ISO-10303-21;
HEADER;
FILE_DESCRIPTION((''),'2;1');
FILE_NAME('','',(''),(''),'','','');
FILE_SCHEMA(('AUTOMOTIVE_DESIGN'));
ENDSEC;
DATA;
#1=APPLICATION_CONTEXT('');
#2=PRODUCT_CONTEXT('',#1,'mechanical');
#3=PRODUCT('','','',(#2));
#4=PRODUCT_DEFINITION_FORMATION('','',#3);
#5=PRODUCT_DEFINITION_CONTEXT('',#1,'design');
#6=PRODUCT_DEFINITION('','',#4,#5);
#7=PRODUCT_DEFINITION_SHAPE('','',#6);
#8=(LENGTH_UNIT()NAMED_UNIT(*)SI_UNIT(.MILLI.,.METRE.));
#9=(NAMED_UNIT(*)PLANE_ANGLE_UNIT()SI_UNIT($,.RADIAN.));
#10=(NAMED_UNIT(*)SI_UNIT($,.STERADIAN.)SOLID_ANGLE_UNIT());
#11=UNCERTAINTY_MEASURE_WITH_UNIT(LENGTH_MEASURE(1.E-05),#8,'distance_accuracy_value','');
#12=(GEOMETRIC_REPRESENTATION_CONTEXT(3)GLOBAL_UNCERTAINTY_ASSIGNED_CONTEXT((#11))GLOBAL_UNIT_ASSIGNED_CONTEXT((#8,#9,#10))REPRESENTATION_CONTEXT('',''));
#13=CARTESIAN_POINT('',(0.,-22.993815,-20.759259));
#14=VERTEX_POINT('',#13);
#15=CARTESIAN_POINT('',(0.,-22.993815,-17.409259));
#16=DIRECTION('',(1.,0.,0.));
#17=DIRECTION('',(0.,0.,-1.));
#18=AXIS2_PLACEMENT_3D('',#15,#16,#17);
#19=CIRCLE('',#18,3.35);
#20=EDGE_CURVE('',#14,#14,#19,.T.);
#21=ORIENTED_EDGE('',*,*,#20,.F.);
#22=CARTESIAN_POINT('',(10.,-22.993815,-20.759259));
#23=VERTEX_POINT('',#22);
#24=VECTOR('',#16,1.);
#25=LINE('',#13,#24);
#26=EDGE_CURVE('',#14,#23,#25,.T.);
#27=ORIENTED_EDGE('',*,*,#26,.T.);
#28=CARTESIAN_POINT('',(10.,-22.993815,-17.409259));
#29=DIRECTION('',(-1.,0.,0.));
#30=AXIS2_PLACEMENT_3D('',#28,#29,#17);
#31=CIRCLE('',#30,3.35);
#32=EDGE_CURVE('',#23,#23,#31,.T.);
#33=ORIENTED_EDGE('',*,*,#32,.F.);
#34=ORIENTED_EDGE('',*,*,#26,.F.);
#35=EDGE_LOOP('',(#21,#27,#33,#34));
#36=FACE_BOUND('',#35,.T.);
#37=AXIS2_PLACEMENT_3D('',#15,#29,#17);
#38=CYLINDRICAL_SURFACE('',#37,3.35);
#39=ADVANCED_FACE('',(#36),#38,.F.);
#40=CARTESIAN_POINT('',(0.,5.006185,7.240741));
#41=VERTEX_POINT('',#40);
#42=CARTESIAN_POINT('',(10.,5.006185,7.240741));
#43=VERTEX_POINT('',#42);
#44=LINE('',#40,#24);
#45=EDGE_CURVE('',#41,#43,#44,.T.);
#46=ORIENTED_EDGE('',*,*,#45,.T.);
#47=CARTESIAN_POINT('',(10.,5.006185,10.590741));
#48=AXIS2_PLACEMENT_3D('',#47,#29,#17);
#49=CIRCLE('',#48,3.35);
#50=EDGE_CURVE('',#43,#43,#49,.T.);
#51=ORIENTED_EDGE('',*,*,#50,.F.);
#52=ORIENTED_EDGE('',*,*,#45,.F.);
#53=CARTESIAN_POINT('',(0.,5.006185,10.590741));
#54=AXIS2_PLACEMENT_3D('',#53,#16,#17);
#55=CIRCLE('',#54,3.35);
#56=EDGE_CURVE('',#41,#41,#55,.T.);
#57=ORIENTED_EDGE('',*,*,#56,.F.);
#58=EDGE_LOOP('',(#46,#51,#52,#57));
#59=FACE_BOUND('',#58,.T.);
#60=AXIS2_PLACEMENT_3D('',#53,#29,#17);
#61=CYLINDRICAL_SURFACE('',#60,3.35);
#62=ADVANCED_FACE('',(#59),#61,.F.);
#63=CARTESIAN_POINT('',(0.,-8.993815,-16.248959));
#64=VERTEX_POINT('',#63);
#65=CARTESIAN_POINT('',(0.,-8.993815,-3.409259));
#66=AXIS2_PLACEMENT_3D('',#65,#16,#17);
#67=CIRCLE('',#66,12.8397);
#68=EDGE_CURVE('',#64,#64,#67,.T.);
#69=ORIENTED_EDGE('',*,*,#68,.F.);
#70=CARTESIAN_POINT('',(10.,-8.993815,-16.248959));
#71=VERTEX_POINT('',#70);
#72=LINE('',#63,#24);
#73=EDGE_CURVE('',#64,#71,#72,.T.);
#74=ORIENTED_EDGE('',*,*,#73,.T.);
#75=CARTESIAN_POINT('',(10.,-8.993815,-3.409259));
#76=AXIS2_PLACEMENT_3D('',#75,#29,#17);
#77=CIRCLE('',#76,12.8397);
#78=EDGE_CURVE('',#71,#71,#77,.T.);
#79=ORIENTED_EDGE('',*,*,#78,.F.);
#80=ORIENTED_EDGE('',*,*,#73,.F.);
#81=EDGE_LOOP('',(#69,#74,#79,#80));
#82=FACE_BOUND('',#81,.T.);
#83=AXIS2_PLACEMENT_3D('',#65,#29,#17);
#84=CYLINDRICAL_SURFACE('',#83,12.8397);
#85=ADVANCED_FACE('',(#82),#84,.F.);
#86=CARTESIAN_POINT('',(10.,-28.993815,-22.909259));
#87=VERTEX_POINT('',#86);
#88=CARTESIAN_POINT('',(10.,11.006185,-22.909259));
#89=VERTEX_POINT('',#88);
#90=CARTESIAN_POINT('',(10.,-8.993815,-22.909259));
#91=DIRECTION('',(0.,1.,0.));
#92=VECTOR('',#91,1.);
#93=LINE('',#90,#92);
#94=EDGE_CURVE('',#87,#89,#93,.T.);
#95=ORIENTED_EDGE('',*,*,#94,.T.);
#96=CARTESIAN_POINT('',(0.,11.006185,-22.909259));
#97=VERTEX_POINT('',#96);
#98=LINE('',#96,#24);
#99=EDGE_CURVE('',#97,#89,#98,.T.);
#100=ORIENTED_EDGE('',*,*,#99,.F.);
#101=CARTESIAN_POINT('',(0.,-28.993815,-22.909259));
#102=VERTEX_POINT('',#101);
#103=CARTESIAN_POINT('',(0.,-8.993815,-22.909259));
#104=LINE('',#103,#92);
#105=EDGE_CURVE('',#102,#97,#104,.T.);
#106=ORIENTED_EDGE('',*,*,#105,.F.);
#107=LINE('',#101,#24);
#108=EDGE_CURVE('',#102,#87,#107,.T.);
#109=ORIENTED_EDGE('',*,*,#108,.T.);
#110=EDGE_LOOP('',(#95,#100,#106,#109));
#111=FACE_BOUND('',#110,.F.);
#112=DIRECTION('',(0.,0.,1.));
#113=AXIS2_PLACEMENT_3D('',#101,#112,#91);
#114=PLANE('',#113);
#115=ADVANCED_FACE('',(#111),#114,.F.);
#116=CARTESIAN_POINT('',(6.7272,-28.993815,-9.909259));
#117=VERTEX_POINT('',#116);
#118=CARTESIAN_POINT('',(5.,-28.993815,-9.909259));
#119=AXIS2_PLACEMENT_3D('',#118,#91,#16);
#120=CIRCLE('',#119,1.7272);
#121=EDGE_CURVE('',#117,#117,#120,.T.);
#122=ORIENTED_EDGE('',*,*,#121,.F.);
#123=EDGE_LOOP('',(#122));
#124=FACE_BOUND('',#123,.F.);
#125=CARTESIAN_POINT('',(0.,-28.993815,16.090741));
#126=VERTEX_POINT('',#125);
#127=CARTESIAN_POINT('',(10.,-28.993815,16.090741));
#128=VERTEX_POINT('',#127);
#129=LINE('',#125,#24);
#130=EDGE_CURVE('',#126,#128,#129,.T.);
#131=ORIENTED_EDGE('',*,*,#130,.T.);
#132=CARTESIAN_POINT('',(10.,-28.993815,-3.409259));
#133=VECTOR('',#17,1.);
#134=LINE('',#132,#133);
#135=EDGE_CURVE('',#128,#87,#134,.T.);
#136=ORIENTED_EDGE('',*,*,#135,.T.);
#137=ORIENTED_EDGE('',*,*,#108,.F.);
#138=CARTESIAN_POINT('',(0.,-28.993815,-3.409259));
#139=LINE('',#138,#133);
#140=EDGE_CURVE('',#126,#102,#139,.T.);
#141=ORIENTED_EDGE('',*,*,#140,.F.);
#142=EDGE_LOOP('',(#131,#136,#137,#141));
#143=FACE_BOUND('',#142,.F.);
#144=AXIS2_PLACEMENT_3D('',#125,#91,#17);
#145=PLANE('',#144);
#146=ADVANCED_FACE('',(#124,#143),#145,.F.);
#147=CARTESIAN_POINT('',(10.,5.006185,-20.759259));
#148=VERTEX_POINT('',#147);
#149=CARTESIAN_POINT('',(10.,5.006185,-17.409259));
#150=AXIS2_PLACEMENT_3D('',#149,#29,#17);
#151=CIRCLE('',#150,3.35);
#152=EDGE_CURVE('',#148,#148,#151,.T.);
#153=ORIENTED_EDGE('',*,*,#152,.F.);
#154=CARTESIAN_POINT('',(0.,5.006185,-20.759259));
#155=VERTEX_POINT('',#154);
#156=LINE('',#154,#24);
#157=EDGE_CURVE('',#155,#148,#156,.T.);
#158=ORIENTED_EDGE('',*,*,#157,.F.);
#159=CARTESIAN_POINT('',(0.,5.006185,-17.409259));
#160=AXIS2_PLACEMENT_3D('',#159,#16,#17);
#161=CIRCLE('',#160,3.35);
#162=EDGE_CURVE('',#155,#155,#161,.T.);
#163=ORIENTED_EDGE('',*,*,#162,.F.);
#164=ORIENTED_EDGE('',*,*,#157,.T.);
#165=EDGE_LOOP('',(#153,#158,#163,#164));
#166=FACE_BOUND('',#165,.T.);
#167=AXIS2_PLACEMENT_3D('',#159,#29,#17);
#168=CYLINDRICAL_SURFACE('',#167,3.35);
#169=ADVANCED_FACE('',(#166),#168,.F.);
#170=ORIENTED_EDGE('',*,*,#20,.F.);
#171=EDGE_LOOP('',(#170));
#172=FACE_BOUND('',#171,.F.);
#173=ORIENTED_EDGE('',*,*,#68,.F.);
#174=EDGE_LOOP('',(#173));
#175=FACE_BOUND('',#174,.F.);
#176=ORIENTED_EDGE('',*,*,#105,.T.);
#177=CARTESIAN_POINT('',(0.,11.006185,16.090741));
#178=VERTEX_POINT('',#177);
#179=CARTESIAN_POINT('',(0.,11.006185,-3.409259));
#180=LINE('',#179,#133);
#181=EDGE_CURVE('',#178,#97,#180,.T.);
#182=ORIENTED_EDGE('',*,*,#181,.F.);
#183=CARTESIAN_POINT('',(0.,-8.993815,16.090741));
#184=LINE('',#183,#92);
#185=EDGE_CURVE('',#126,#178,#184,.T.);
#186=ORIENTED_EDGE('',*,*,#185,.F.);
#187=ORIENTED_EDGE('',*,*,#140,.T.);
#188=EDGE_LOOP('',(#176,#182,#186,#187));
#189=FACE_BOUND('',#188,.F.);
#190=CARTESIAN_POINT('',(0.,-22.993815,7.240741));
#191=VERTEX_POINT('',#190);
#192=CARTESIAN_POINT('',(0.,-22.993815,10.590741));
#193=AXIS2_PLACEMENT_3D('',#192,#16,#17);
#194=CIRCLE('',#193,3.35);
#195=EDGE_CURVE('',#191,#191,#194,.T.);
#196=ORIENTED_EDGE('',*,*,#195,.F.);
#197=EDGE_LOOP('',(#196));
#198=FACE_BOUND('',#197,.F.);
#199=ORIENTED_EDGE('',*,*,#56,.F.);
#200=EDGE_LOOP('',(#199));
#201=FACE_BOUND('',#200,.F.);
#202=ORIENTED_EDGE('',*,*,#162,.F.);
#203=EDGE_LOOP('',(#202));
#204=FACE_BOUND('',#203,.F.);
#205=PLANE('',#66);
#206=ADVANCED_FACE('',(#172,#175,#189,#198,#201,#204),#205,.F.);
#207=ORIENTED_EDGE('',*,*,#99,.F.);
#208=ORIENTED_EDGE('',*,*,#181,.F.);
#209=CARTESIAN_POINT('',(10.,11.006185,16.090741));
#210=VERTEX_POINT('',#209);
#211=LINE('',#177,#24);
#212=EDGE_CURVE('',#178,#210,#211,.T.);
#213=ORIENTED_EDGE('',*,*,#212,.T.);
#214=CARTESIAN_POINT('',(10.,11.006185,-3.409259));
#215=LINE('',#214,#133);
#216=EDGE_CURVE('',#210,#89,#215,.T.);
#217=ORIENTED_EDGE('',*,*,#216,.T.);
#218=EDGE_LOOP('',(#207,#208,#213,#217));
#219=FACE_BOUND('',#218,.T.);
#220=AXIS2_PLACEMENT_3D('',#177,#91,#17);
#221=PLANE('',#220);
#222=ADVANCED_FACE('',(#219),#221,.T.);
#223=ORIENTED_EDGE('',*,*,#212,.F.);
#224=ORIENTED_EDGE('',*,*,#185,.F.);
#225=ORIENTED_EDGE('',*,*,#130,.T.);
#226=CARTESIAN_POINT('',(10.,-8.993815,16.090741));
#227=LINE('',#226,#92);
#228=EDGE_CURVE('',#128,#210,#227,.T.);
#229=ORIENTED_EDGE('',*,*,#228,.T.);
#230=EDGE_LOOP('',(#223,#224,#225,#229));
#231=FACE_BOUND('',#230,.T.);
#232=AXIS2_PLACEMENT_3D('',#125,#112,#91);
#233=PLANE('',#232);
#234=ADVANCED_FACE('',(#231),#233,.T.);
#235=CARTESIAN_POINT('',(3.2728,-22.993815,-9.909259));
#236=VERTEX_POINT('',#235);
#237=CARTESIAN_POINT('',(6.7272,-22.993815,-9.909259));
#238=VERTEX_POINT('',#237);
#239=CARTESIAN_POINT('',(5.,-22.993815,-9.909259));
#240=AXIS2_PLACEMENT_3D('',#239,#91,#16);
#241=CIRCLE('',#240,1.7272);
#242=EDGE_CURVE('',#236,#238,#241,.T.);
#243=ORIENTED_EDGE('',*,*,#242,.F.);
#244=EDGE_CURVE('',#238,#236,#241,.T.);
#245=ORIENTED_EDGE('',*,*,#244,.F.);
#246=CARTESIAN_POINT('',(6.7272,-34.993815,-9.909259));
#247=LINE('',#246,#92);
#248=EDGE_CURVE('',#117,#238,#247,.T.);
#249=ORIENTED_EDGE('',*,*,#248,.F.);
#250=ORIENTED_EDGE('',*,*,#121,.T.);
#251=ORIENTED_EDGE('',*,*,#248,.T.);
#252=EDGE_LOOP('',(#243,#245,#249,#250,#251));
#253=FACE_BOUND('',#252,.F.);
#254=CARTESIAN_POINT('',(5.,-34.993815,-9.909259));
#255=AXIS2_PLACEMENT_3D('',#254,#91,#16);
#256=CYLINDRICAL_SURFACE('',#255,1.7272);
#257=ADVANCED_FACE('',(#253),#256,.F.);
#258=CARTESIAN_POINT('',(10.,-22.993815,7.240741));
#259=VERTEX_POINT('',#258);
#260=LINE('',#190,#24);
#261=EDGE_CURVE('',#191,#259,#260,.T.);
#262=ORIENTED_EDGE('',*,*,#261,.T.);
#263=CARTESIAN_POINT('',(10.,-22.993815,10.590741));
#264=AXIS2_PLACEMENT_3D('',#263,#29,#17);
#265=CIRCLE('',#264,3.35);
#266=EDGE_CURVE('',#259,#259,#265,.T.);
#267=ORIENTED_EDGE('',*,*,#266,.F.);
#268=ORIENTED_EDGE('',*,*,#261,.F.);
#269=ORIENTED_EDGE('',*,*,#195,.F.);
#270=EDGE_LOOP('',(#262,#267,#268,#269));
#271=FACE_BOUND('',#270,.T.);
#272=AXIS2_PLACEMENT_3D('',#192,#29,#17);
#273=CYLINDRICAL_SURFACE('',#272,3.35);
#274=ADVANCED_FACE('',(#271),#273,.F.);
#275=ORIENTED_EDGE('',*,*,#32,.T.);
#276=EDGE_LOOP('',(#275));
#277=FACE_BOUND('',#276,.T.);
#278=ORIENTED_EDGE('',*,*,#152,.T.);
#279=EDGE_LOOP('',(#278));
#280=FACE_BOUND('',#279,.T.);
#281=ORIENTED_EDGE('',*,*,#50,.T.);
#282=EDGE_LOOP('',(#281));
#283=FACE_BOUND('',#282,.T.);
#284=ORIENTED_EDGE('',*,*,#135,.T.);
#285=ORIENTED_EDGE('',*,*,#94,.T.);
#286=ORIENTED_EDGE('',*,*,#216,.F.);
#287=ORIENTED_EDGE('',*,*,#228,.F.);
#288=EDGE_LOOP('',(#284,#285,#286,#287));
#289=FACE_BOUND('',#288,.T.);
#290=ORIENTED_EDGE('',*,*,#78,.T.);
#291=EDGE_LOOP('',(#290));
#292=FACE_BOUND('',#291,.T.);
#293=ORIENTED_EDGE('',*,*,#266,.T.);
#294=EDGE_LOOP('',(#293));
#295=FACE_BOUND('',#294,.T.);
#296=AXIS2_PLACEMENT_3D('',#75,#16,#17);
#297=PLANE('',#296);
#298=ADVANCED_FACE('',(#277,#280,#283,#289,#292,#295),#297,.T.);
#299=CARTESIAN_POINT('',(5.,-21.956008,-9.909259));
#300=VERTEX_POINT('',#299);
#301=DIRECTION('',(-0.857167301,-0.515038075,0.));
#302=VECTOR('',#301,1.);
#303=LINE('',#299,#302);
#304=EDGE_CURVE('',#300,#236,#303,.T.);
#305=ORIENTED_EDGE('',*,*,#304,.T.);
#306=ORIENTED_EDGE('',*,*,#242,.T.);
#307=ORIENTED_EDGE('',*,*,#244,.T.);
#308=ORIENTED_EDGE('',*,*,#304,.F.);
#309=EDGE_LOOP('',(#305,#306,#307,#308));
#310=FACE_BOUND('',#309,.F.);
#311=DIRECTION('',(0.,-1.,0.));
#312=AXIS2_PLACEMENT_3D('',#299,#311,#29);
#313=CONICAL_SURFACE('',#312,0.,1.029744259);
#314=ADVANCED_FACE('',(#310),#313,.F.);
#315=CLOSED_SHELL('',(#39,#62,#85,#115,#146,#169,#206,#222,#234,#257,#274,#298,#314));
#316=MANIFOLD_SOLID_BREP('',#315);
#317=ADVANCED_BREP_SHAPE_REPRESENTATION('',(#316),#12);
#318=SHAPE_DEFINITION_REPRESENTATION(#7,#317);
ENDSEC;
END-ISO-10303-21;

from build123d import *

# Parameters (mm, degrees)
SKETCH1_W                       = 39
SKETCH1_H                       = 40
BOSS_EXTRUDE1_DEPTH             = 10
SM1_THREADED_HOLE_REACH         = 40.282
SKETCH1_3_R                     = 12.8397
OVERSIZED_8_32_THRU_HOLES_REACH = 40.282
SKETCH1_4_R                     = 3.35
F_8_32_TAPPED_HOLE1_D           = 3.4544
F_8_32_TAPPED_HOLE1_DEPTH       = 6
F_8_32_TAPPED_HOLE1_TIP         = 1.037806461


with BuildPart() as part:
    # Sketch1 → Boss-Extrude1 (new body)
    with BuildSketch(Plane(origin=(0, 0, 0), x_dir=(0, 0, -1), z_dir=(1, 0, 0))):
        with Locations((3.409258695, -8.993814604)):
            Rectangle(SKETCH1_W, SKETCH1_H)
    extrude(amount=BOSS_EXTRUDE1_DEPTH)

    # Sketch1<3> → SM1 threaded hole (cut, up to next)
    with BuildSketch(Plane(origin=(0, 0, 0), x_dir=(0, 0, -1), z_dir=(1, 0, 0)), mode=Mode.PRIVATE) as sm1_threaded_hole_sk1:
        with Locations((3.409258695, -8.993814604)):
            Circle(SKETCH1_3_R)
    sm1_threaded_hole_tool1 = extrude(sm1_threaded_hole_sk1.sketch, amount=SM1_THREADED_HOLE_REACH, mode=Mode.PRIVATE) & part.part
    add(sm1_threaded_hole_tool1.solids().sort_by_distance((0, -8.993815, -3.409259))[0], mode=Mode.SUBTRACT)

    # Sketch1<4> → oversized 8-32 thru holes (cut, up to next)
    with BuildSketch(Plane(origin=(0, 0, 0), x_dir=(0, 0, -1), z_dir=(1, 0, 0)), mode=Mode.PRIVATE) as oversized_8_32_thru_holes_sk1:
        with Locations((-10.590741305, 5.006185396)):
            Circle(SKETCH1_4_R)
    oversized_8_32_thru_holes_tool1 = extrude(oversized_8_32_thru_holes_sk1.sketch, amount=OVERSIZED_8_32_THRU_HOLES_REACH, mode=Mode.PRIVATE) & part.part
    # Sketch1<4> → oversized 8-32 thru holes (cut, up to next)
    with BuildSketch(Plane(origin=(0, 0, 0), x_dir=(0, 0, -1), z_dir=(1, 0, 0)), mode=Mode.PRIVATE) as oversized_8_32_thru_holes_sk2:
        with Locations((17.409258695, 5.006185396)):
            Circle(SKETCH1_4_R)
    oversized_8_32_thru_holes_tool2 = extrude(oversized_8_32_thru_holes_sk2.sketch, amount=OVERSIZED_8_32_THRU_HOLES_REACH, mode=Mode.PRIVATE) & part.part
    # Sketch1<4> → oversized 8-32 thru holes (cut, up to next)
    with BuildSketch(Plane(origin=(0, 0, 0), x_dir=(0, 0, -1), z_dir=(1, 0, 0)), mode=Mode.PRIVATE) as oversized_8_32_thru_holes_sk3:
        with Locations((17.409258695, -22.993814604)):
            Circle(SKETCH1_4_R)
    oversized_8_32_thru_holes_tool3 = extrude(oversized_8_32_thru_holes_sk3.sketch, amount=OVERSIZED_8_32_THRU_HOLES_REACH, mode=Mode.PRIVATE) & part.part
    # Sketch1<4> → oversized 8-32 thru holes (cut, up to next)
    with BuildSketch(Plane(origin=(0, 0, 0), x_dir=(0, 0, -1), z_dir=(1, 0, 0)), mode=Mode.PRIVATE) as oversized_8_32_thru_holes_sk4:
        with Locations((-10.590741305, -22.993814604)):
            Circle(SKETCH1_4_R)
    oversized_8_32_thru_holes_tool4 = extrude(oversized_8_32_thru_holes_sk4.sketch, amount=OVERSIZED_8_32_THRU_HOLES_REACH, mode=Mode.PRIVATE) & part.part
    add(oversized_8_32_thru_holes_tool1.solids().sort_by_distance((0, 5.006185, 10.590741))[0], mode=Mode.SUBTRACT)
    add(oversized_8_32_thru_holes_tool2.solids().sort_by_distance((0, 5.006185, -17.409259))[0], mode=Mode.SUBTRACT)
    add(oversized_8_32_thru_holes_tool3.solids().sort_by_distance((0, -22.993815, -17.409259))[0], mode=Mode.SUBTRACT)
    add(oversized_8_32_thru_holes_tool4.solids().sort_by_distance((0, -22.993815, 10.590741))[0], mode=Mode.SUBTRACT)

    # #8-32 Tapped Hole1
    with Locations(Plane(origin=(0, -28.993814604, 0), x_dir=(-1, 0, 0), z_dir=(0, -1, 0))):
        with Locations((-5, 9.909258695)):
            Hole(F_8_32_TAPPED_HOLE1_D / 2, depth=F_8_32_TAPPED_HOLE1_DEPTH)
            with Locations((0, 0, -(F_8_32_TAPPED_HOLE1_DEPTH + F_8_32_TAPPED_HOLE1_TIP / 2))):  # 118° drill point
                Cone(0, F_8_32_TAPPED_HOLE1_D / 2, F_8_32_TAPPED_HOLE1_TIP, mode=Mode.SUBTRACT)


solid = part.part
